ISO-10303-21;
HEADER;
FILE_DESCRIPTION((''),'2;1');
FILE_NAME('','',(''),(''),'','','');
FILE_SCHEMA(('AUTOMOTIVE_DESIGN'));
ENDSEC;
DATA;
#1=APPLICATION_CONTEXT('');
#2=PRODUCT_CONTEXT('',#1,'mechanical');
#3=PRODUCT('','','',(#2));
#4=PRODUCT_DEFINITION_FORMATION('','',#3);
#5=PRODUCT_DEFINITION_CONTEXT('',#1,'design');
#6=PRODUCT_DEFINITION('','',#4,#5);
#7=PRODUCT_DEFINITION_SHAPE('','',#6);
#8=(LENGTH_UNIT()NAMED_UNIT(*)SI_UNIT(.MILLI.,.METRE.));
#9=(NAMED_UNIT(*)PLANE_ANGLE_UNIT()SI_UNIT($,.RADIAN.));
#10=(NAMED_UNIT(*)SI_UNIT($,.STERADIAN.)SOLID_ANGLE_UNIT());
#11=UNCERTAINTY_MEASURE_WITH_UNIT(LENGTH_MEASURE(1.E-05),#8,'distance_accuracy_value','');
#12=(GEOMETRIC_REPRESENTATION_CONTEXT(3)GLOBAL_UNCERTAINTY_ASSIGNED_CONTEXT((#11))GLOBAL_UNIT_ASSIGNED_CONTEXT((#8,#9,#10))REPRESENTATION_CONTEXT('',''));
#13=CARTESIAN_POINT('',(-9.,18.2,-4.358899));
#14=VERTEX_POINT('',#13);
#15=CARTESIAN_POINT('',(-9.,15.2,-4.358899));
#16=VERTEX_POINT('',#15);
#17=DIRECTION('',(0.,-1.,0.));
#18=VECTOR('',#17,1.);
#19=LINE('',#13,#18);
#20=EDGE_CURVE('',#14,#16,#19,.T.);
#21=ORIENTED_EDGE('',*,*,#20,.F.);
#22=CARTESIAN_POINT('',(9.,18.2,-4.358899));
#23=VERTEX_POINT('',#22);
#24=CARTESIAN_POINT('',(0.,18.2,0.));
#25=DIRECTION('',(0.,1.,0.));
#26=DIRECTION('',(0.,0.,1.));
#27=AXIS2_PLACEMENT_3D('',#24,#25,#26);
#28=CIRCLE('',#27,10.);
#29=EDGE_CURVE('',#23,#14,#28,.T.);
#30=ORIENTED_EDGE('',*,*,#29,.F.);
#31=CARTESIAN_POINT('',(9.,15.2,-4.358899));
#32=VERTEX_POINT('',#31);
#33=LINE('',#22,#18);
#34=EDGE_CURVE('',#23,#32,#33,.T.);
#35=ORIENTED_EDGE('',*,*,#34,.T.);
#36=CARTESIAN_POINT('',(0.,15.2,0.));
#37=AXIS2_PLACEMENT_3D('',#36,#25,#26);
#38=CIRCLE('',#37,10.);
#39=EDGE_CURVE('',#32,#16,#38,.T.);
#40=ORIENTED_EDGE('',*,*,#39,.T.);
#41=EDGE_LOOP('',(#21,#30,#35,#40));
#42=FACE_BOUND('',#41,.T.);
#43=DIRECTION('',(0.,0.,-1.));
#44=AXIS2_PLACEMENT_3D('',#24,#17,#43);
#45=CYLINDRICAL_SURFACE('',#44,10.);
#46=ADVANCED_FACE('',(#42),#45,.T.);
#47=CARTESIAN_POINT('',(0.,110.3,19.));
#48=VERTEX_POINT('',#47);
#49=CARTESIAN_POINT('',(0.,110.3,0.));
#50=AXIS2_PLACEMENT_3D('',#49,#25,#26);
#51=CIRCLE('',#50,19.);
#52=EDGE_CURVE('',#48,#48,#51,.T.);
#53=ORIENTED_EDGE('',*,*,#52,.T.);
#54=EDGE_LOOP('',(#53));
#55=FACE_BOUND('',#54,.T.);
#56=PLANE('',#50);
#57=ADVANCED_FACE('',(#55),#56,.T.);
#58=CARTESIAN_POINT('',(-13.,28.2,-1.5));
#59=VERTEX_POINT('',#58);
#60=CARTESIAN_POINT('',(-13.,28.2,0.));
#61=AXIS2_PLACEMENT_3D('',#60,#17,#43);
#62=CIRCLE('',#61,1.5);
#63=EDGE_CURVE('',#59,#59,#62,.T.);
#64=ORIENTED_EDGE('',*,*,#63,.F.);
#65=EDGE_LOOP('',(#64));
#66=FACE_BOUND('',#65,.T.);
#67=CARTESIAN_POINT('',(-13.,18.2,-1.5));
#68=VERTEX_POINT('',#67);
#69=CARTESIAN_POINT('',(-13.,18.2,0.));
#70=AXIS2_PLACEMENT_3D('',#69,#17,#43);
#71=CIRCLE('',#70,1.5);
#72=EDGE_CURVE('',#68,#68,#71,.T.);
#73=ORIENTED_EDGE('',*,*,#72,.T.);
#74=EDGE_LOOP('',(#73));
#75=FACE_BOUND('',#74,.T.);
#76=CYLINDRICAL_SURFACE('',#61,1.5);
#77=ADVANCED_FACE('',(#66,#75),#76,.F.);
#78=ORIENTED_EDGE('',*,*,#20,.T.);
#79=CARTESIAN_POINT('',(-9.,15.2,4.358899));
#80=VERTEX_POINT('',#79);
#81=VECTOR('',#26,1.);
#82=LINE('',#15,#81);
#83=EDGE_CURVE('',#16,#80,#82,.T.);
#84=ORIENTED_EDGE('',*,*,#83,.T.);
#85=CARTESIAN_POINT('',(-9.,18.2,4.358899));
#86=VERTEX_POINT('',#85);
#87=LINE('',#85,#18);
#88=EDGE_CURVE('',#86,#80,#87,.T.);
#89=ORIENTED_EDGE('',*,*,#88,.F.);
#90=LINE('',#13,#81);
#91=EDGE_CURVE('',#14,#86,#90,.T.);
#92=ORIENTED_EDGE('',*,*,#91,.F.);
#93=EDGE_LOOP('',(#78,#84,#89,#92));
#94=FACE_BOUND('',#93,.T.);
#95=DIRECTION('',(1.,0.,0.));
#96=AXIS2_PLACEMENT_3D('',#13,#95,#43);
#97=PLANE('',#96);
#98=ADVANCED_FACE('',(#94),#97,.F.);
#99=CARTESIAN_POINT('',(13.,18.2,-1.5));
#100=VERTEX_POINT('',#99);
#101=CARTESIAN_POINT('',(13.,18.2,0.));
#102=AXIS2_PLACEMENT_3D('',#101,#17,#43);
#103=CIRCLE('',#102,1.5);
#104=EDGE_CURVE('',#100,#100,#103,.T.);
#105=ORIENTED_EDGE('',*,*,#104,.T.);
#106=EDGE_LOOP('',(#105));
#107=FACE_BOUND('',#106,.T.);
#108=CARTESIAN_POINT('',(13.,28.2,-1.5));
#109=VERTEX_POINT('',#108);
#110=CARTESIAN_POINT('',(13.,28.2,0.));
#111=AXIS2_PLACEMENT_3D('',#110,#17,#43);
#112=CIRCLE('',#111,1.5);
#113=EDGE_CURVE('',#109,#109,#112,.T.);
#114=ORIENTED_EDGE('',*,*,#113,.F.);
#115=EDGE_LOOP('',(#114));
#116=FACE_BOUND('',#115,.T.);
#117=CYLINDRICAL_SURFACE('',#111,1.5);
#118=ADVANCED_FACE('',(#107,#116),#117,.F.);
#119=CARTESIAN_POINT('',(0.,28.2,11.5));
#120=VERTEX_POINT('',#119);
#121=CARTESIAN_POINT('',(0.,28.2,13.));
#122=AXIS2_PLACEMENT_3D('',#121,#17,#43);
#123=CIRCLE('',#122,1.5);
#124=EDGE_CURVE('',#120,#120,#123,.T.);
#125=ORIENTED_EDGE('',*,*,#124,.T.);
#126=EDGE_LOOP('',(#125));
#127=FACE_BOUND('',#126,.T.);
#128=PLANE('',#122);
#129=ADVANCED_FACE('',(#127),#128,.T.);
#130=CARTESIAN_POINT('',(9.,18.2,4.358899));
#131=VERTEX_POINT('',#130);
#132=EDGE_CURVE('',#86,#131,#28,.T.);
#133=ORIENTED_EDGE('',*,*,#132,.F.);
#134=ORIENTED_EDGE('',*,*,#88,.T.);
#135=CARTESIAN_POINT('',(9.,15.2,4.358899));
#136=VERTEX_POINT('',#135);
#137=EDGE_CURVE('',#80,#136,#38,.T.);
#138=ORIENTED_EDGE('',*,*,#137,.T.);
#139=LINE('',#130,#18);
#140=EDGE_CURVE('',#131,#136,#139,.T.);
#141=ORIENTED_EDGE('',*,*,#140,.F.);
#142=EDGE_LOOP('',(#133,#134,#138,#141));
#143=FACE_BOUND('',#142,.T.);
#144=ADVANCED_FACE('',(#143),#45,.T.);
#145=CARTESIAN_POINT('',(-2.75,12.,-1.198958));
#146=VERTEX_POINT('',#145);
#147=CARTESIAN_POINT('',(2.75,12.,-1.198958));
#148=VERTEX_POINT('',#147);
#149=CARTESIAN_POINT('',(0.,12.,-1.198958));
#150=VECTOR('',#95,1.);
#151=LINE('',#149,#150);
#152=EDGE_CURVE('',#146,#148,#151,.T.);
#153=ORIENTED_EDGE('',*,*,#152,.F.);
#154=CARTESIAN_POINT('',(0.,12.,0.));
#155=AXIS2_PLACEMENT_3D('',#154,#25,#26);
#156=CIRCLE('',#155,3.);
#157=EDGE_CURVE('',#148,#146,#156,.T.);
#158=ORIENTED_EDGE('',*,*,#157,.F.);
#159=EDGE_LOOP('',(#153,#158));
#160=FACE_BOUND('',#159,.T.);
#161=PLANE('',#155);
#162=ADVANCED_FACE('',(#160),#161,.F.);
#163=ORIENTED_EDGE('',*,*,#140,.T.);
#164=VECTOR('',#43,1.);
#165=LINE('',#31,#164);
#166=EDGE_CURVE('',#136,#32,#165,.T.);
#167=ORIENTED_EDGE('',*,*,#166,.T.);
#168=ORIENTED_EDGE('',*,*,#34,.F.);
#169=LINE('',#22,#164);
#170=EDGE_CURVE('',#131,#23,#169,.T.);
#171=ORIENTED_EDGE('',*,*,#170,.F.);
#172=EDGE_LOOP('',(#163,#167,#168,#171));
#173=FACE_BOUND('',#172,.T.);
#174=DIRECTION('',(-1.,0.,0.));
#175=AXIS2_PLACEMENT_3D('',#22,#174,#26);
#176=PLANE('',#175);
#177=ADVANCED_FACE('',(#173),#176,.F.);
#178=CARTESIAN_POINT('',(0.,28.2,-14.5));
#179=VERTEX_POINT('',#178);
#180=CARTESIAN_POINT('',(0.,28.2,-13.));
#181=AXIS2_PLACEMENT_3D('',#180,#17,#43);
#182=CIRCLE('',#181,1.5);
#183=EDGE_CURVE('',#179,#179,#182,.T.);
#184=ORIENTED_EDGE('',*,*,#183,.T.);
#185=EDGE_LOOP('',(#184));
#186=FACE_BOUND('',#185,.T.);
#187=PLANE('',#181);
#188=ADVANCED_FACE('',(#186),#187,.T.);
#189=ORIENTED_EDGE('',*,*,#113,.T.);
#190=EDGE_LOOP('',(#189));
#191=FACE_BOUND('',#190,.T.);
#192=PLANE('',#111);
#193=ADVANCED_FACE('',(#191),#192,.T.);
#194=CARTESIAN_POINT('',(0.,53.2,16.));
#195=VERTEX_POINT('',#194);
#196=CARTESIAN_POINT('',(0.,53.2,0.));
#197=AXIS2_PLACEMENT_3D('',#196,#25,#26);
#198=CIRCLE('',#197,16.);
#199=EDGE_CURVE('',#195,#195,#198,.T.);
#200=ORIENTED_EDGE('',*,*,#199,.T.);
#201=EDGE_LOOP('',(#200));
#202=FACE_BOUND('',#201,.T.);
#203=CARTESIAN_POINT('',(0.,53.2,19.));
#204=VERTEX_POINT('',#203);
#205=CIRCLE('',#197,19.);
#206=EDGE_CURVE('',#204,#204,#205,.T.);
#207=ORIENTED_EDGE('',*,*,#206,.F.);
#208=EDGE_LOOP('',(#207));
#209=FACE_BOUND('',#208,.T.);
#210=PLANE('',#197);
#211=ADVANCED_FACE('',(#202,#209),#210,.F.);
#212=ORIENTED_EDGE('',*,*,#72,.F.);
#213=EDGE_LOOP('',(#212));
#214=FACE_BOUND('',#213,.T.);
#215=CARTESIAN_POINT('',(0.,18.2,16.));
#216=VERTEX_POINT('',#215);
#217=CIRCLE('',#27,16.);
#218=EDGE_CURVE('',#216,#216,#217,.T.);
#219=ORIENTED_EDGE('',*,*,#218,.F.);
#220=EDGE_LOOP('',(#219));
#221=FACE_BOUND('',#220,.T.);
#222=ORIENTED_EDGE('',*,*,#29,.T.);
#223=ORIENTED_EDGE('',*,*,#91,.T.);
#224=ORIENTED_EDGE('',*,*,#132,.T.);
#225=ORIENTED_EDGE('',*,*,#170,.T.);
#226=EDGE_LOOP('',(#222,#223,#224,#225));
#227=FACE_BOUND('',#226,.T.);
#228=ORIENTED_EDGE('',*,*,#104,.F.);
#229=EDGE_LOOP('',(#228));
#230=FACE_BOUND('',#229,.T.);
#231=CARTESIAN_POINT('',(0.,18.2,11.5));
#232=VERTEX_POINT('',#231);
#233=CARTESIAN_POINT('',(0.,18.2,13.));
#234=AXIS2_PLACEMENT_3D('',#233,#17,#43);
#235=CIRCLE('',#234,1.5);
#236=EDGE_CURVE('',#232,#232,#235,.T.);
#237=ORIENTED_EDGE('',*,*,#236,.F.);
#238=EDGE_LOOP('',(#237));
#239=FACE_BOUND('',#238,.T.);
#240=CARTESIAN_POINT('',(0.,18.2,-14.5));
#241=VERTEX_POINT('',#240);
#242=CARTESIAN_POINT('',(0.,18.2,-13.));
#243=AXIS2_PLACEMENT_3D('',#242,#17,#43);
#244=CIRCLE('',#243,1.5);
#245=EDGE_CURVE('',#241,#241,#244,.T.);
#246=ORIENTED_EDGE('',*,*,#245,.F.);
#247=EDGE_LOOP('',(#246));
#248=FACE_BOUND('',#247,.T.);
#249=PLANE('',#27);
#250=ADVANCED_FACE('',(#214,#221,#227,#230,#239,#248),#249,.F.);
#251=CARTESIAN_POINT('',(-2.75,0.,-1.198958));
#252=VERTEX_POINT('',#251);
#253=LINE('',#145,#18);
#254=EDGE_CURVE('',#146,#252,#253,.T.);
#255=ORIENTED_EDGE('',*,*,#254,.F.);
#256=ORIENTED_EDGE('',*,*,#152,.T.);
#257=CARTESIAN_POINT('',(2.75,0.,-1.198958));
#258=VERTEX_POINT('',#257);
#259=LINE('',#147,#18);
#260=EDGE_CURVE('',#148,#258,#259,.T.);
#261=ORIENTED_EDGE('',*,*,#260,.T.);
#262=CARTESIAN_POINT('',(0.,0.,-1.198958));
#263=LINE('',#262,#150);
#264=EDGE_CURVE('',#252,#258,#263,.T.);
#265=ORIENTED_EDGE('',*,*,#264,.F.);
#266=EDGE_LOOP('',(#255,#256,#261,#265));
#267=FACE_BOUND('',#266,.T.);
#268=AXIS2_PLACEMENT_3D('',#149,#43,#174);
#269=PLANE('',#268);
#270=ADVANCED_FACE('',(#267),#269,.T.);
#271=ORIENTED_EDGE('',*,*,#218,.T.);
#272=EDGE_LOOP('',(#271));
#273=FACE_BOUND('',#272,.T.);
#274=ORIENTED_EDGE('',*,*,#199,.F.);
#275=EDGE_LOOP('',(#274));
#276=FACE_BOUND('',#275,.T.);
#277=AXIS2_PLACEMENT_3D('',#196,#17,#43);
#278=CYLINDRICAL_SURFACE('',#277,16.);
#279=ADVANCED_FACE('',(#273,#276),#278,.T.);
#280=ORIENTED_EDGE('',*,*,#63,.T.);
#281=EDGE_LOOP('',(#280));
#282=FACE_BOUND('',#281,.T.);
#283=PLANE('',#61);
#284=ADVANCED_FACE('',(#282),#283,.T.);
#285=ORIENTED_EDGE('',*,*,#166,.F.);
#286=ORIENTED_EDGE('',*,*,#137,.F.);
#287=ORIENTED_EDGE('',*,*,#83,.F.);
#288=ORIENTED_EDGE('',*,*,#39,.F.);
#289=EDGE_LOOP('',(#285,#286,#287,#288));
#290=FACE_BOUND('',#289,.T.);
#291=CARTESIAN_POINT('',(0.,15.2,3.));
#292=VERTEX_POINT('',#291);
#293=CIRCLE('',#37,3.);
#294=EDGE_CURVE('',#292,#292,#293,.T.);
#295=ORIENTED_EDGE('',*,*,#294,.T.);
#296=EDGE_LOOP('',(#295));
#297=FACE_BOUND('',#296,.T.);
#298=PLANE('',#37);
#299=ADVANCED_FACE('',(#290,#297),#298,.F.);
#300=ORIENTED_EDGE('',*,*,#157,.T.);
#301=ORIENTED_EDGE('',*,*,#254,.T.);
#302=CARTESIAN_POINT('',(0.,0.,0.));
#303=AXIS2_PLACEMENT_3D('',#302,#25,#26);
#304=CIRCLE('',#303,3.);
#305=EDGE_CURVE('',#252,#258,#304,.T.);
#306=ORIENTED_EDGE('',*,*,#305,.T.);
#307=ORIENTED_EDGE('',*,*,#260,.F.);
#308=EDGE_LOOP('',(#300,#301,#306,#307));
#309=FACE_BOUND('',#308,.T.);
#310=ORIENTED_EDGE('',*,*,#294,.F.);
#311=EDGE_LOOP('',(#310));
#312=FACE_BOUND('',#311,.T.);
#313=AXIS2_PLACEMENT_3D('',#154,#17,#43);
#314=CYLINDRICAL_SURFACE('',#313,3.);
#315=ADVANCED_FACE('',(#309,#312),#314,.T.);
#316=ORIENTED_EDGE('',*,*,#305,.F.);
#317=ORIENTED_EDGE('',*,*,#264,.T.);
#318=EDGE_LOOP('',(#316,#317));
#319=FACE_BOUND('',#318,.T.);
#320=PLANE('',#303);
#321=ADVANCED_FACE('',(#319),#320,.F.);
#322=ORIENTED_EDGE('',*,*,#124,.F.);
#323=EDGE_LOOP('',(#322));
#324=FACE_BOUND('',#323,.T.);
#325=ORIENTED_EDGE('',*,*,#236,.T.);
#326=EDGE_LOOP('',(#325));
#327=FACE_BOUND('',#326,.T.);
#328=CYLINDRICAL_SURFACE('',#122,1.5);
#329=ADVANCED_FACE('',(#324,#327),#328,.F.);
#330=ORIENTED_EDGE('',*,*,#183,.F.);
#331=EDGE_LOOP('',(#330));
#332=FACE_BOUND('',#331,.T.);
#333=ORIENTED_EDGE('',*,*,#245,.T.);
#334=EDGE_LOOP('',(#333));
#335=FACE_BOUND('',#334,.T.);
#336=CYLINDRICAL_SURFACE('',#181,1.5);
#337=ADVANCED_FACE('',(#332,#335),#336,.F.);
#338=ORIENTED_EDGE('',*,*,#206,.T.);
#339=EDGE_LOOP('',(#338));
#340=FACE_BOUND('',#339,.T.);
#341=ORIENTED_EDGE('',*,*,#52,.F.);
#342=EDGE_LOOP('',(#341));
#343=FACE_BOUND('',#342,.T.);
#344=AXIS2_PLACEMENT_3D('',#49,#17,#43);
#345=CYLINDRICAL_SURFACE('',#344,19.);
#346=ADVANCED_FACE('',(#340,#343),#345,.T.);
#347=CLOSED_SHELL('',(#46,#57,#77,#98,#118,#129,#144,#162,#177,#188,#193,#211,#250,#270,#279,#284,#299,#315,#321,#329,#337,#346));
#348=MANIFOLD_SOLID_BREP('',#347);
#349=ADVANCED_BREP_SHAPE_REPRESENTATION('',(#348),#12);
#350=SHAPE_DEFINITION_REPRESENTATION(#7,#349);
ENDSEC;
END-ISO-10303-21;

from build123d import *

# Parameters (mm, degrees)
BOSS_EXTRUDE1_DEPTH = 12
BOSS_EXTRUDE2_DEPTH = 3.2
BOSS_EXTRUDE3_DEPTH = 3
SKETCH6_R           = 16
BOSS_EXTRUDE4_DEPTH = 35
SKETCH7_R           = 19
BOSS_EXTRUDE5_DEPTH = 57.1
SKETCH8_R           = 1.5
CUT_EXTRUDE1_DEPTH  = 10


with BuildPart() as part:
    # Sketch2 → Boss-Extrude1 (new body)
    with BuildSketch(Plane(origin=(0, 0, 0), x_dir=(1, 0, 0), z_dir=(0, 1, 0))):
        with BuildLine():
            Line((2.75, 1.198957881), (-2.75, 1.198957881))
            ThreePointArc((-2.75, 1.198957881), (-0.612372436, -2.936835031), (3, 0))
            ThreePointArc((3, 0), (2.936835031, 0.612372436), (2.75, 1.198957881))
        make_face()
    extrude(amount=BOSS_EXTRUDE1_DEPTH)

    # Sketch3 → Boss-Extrude2 (add)
    with BuildSketch(Plane(origin=(0, 12, 0), x_dir=(1, 0, 0), z_dir=(0, 1, 0))):
        with BuildLine():
            Line((2.75, 1.198957881), (-2.75, 1.198957881))
            ThreePointArc((-2.75, 1.198957881), (-0.612372436, -2.936835031), (3, 0))
            ThreePointArc((3, 0), (2.936835031, 0.612372436), (2.75, 1.198957881))
        make_face()
        with BuildLine():
            ThreePointArc((2.75, 1.198957881), (0, 3), (-2.75, 1.198957881))
            Line((-2.75, 1.198957881), (2.75, 1.198957881))
        make_face()
        with BuildLine():
            ThreePointArc((-2.75, 1.198957881), (0, -3), (2.75, 1.198957881))
            Line((2.75, 1.198957881), (-2.75, 1.198957881))
        make_face()
    extrude(amount=BOSS_EXTRUDE2_DEPTH)

    # Sketch5 → Boss-Extrude3 (add)
    with BuildSketch(Plane(origin=(0, 15.2, 0), x_dir=(1, 0, 0), z_dir=(0, 1, 0))):
        with BuildLine():
            Line((-9, 4.358898944), (-9, -4.358898944))
            ThreePointArc((-9, -4.358898944), (0, -10), (9, -4.358898944))
            Line((9, -4.358898944), (9, 4.358898944))
            ThreePointArc((9, 4.358898944), (0, 10), (-9, 4.358898944))
        make_face()
    extrude(amount=BOSS_EXTRUDE3_DEPTH)

    # Sketch6 → Boss-Extrude4 (add)
    with BuildSketch(Plane(origin=(0, 18.2, 0), x_dir=(1, 0, 0), z_dir=(0, 1, 0))):
        Circle(SKETCH6_R)
    extrude(amount=BOSS_EXTRUDE4_DEPTH)

    # Sketch7 → Boss-Extrude5 (add)
    with BuildSketch(Plane(origin=(0, 53.2, 0), x_dir=(1, 0, 0), z_dir=(0, 1, 0))):
        Circle(SKETCH7_R)
    extrude(amount=BOSS_EXTRUDE5_DEPTH)

    # Sketch8 → Cut-Extrude1 (cut)
    with BuildSketch(Plane.XZ.offset(-18.2)):
        with Locations((0, 13)):
            Circle(SKETCH8_R)
        with Locations((13, 0)):
            Circle(SKETCH8_R)
        with Locations((0, -13)):
            Circle(SKETCH8_R)
        with Locations((-13, 0)):
            Circle(SKETCH8_R)
    extrude(amount=-CUT_EXTRUDE1_DEPTH, mode=Mode.SUBTRACT)


solid = part.part
